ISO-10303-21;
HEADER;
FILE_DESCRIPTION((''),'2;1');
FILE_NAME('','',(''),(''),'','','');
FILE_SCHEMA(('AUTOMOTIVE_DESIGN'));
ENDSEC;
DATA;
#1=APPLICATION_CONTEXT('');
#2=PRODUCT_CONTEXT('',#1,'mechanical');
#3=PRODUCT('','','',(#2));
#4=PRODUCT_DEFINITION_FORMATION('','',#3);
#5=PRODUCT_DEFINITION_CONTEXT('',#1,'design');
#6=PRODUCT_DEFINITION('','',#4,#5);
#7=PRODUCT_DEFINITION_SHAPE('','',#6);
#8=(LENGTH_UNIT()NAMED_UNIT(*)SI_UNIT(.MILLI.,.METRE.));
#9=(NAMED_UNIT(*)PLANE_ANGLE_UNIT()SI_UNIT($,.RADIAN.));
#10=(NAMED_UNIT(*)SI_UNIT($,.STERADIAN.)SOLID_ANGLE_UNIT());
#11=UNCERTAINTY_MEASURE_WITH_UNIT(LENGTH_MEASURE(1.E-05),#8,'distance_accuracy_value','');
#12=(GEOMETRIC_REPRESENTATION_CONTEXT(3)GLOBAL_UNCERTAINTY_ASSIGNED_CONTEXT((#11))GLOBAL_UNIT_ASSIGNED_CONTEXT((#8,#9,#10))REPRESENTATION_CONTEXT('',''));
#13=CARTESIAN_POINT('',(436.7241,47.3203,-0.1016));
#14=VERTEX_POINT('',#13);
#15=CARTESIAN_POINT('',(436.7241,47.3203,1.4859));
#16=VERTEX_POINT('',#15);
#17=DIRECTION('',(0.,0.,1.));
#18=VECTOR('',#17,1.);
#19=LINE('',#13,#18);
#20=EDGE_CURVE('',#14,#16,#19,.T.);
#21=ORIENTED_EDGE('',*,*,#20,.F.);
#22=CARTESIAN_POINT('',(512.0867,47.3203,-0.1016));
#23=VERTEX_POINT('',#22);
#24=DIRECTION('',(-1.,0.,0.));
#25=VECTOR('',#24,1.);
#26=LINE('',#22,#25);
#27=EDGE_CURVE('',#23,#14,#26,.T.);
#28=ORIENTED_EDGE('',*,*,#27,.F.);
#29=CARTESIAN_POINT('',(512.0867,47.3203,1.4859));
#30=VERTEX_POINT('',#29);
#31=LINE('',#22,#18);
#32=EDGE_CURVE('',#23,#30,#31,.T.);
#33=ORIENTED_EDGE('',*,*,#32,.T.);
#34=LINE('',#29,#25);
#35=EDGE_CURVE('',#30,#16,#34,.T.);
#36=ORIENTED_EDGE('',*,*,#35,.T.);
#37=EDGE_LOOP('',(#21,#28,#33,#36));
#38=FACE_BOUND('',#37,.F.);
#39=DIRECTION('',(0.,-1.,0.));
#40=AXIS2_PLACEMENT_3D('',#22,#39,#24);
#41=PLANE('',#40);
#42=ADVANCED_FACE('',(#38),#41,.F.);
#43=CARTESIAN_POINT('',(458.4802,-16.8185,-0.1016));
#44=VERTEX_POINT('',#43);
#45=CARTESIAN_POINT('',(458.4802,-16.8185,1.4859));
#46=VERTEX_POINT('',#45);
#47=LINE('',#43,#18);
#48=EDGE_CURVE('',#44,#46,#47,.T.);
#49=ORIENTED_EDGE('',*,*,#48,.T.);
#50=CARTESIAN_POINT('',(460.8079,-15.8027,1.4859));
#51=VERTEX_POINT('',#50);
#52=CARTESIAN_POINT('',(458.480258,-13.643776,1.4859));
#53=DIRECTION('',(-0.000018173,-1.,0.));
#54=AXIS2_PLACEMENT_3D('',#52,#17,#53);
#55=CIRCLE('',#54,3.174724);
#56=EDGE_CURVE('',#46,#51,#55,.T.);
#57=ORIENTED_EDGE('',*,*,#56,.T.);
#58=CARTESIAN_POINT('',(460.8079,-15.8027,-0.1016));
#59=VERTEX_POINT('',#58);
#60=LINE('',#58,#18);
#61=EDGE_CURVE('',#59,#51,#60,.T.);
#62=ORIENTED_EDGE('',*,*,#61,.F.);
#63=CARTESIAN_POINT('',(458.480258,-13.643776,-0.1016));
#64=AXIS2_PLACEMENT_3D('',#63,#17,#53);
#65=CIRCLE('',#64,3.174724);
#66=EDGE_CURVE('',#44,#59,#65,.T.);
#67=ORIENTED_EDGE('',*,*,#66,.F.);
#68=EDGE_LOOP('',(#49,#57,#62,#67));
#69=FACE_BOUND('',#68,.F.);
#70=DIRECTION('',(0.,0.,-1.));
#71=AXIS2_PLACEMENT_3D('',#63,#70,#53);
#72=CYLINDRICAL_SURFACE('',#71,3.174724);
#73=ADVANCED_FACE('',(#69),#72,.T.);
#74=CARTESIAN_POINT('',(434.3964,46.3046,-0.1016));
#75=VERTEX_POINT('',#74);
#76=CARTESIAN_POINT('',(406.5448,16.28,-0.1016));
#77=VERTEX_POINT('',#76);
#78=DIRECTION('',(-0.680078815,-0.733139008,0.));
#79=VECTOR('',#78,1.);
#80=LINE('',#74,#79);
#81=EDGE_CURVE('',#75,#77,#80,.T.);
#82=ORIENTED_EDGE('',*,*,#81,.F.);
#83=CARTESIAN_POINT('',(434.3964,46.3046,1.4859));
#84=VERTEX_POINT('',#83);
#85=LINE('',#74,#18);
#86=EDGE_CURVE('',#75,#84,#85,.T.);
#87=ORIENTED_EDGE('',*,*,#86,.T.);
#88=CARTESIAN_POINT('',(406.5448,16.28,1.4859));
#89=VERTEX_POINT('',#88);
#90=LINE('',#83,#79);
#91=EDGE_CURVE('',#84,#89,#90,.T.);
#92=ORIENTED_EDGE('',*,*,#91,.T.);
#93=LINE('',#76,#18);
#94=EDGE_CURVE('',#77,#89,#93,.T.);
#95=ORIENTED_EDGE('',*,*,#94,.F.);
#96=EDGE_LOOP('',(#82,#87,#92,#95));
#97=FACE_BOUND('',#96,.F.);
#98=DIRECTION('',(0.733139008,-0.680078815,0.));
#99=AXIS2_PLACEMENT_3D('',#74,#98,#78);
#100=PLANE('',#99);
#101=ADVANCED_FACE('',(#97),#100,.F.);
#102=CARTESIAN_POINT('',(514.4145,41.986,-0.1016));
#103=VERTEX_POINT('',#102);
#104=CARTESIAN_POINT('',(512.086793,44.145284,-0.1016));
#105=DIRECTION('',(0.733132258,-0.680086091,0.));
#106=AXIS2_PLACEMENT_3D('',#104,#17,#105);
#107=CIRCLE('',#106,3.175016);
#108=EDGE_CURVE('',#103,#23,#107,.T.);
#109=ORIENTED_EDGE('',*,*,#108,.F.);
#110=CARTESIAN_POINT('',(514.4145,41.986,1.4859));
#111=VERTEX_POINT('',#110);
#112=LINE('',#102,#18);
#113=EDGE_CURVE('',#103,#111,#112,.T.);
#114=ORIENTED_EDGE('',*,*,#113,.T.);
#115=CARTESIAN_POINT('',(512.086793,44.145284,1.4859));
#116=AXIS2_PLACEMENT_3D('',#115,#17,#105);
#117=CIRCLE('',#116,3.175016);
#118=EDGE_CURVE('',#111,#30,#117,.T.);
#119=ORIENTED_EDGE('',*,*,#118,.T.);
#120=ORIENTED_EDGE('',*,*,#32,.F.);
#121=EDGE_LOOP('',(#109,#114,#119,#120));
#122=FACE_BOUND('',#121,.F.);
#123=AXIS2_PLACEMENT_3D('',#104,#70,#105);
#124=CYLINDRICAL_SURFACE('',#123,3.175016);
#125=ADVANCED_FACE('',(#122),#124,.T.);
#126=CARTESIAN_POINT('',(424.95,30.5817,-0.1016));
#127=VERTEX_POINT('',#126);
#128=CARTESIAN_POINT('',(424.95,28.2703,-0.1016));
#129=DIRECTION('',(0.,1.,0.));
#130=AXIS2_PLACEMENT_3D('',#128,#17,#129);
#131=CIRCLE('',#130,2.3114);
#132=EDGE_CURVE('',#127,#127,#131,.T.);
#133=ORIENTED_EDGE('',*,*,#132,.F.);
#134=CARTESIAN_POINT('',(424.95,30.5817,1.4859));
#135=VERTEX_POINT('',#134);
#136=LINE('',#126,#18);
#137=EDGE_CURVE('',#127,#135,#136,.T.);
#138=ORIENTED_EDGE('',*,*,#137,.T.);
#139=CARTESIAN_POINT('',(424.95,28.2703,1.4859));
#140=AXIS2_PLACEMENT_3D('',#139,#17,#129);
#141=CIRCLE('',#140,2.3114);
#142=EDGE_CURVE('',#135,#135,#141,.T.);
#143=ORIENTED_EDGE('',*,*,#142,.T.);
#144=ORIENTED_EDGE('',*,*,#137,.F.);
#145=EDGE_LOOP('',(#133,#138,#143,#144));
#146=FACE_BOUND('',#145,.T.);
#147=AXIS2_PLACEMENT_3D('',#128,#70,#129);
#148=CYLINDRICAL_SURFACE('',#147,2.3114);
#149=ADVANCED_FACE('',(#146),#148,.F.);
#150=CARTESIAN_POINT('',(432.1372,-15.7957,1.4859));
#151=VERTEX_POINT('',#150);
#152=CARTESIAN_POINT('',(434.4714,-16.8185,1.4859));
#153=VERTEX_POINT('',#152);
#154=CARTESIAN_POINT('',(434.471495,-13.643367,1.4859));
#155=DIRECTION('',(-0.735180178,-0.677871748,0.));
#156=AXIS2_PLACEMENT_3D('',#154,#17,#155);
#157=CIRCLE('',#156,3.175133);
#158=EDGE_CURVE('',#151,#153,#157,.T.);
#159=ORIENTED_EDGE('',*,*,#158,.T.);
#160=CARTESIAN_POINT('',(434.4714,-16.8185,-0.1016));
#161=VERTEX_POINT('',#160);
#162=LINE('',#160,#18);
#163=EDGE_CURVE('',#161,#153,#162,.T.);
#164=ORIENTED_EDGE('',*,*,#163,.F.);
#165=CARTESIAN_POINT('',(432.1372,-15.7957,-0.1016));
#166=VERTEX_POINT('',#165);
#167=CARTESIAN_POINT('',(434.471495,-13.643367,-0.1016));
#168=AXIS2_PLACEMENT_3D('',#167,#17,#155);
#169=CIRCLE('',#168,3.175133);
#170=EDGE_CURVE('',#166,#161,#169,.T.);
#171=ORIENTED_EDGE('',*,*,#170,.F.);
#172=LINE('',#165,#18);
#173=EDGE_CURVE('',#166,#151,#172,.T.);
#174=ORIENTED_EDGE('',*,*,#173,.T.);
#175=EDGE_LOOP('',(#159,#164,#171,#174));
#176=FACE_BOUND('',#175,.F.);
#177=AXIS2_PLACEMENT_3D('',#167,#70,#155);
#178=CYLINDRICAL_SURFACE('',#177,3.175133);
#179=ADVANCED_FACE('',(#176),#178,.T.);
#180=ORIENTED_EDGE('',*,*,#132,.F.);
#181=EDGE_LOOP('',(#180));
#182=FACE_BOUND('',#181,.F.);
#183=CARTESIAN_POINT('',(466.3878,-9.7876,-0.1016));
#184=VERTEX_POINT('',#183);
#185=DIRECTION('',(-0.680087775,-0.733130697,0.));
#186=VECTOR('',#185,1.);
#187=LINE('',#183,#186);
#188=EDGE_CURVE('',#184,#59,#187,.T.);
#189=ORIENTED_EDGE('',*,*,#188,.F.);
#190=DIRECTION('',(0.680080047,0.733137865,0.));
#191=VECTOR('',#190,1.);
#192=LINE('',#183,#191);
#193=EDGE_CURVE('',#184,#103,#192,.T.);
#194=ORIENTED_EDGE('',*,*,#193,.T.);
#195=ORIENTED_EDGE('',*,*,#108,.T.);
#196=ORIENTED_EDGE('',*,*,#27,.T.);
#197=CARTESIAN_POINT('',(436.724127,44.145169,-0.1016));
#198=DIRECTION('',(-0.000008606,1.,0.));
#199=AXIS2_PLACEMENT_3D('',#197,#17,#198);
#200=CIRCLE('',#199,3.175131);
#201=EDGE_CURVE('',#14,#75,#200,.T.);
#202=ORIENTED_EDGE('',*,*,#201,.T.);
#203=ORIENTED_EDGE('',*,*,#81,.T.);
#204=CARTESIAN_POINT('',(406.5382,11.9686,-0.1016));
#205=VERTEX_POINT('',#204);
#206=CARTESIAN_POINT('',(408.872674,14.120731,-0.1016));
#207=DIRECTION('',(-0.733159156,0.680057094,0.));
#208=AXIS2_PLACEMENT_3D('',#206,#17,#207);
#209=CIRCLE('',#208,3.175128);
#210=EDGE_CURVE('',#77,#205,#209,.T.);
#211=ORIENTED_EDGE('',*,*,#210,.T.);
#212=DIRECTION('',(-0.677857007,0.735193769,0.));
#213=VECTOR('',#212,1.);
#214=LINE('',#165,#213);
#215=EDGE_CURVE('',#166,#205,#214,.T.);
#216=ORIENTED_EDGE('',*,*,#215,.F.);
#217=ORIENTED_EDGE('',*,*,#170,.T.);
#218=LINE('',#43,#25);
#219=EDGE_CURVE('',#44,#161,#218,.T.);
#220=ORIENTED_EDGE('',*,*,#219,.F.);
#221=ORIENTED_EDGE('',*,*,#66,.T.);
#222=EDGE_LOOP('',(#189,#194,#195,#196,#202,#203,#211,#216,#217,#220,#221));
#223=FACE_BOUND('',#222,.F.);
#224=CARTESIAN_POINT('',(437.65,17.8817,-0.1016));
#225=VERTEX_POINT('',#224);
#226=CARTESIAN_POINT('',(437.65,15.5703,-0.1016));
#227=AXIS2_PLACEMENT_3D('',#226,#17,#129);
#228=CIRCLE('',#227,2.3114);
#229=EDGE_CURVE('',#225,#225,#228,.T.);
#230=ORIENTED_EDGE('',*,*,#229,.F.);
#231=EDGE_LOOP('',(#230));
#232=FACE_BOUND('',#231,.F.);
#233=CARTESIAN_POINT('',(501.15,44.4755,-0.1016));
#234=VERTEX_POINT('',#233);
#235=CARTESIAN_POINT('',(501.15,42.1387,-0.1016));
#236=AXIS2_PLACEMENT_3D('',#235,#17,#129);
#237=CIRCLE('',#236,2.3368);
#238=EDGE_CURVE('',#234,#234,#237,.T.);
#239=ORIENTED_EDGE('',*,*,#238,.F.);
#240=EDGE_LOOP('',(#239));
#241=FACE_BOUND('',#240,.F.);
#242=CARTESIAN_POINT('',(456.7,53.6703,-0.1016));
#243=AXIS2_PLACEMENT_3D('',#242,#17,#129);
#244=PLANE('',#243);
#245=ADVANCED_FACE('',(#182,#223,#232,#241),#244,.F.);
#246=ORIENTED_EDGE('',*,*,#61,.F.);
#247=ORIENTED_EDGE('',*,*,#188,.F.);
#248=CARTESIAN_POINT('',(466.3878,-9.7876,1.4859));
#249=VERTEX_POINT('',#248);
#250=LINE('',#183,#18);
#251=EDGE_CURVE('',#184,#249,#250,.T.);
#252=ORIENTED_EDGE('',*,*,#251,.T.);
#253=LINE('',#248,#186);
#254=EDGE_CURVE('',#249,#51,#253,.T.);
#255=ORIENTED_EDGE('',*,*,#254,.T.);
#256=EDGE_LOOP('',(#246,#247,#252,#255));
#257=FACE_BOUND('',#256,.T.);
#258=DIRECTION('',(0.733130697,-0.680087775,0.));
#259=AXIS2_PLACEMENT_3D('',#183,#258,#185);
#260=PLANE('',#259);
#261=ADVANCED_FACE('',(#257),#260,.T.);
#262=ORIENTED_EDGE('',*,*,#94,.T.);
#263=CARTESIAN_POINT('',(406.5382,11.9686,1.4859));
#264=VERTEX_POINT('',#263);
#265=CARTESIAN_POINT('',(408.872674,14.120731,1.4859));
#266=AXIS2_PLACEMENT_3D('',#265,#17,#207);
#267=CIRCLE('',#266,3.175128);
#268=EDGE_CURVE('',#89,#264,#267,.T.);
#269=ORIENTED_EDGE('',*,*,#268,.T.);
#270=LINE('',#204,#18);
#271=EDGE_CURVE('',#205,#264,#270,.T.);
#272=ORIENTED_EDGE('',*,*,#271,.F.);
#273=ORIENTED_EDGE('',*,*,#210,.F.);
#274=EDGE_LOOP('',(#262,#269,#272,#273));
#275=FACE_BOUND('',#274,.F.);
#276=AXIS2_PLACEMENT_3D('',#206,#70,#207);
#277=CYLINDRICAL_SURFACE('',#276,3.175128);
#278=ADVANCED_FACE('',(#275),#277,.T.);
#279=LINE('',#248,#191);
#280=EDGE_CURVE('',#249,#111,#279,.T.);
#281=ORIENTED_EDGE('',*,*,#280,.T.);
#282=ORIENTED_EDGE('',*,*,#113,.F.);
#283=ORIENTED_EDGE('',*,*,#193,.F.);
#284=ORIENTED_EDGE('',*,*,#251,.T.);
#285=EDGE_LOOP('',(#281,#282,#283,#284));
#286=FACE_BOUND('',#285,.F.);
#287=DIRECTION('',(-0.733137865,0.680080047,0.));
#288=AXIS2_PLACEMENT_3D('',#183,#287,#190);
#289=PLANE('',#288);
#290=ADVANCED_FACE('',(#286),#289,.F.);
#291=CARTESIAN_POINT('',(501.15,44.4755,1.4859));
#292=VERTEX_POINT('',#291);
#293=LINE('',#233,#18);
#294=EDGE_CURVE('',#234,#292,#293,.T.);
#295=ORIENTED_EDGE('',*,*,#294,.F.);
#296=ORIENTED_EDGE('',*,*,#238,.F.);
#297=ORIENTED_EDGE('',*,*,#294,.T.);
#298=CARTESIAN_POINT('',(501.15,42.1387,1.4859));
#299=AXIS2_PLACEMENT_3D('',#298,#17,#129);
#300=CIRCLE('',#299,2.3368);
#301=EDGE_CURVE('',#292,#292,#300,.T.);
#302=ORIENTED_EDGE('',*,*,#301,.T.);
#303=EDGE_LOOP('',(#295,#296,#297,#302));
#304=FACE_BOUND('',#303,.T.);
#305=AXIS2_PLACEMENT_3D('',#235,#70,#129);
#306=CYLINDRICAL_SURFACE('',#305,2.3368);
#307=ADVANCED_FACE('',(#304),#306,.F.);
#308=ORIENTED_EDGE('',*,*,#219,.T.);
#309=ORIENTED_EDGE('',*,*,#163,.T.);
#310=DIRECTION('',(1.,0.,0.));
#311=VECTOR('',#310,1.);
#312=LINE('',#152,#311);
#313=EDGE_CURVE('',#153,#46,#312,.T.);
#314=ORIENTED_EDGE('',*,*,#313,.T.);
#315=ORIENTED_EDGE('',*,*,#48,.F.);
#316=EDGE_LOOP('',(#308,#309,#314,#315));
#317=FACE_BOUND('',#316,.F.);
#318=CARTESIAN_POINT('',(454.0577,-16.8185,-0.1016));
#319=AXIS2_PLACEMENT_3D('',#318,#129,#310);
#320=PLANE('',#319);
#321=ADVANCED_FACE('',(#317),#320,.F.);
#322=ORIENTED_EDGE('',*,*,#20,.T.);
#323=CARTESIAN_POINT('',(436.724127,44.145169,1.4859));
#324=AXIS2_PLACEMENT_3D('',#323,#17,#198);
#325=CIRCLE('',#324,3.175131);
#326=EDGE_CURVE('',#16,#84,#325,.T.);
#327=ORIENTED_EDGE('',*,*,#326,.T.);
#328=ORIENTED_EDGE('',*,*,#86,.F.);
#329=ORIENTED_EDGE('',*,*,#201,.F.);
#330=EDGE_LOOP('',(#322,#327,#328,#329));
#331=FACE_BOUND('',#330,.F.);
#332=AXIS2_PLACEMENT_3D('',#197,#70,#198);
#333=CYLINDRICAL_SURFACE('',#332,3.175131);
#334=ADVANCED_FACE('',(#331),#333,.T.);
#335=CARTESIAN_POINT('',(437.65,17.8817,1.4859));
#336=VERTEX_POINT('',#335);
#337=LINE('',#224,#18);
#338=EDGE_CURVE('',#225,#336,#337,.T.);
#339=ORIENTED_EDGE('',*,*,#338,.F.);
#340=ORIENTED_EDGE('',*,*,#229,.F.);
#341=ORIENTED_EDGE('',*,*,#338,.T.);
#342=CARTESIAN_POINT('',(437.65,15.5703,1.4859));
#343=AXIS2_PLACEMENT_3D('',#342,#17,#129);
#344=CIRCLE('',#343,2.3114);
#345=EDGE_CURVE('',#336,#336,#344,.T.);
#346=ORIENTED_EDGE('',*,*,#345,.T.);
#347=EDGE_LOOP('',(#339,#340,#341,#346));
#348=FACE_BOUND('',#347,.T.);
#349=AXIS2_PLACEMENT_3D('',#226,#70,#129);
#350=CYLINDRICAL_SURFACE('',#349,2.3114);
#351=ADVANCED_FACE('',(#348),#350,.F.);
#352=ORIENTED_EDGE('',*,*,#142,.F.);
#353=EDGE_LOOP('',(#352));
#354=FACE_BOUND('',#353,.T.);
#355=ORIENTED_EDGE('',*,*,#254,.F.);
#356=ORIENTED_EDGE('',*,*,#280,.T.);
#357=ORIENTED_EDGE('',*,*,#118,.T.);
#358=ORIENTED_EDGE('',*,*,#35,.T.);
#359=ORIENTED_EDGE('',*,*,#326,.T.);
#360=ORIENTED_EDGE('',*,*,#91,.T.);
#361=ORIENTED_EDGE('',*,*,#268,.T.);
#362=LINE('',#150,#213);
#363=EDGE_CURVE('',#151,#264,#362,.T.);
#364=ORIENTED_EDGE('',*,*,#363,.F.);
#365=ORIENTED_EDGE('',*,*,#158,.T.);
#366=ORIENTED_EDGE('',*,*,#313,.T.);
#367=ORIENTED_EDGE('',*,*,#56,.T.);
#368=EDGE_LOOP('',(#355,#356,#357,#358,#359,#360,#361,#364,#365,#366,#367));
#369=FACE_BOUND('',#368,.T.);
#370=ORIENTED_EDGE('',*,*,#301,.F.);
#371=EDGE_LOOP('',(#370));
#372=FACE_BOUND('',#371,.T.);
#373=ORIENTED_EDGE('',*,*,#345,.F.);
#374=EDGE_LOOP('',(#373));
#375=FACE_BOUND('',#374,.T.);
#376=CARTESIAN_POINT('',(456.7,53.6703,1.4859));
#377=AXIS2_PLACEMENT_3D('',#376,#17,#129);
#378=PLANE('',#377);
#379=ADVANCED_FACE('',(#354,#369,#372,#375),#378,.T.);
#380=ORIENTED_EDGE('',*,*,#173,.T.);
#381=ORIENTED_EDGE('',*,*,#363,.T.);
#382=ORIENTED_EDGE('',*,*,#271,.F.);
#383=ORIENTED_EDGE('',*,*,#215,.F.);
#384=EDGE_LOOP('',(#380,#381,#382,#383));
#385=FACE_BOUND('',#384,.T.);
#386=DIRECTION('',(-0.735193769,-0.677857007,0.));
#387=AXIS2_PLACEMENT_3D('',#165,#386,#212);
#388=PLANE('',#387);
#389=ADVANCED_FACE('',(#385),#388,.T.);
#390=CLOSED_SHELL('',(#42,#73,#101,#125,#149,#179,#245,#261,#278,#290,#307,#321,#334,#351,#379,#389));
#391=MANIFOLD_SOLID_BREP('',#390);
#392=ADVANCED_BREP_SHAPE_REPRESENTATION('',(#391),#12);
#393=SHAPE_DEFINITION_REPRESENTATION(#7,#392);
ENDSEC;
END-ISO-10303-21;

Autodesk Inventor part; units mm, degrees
ref_plane "YZ Plane" through (0, 0, 0) normal (1, 0, 0) x (0, 1, 0)
ref_plane "XZ Plane" through (0, 0, 0) normal (0, 1, 0) x (-1, 0, 0)
ref_plane "Work Plane1" through (456.7, 53.6703, -0.1016) normal (0, 0, 1) x (0, 1, 0)
sketch "Sketch1" plane through (456.7, 53.6703, -0.1016) normal (0, 0, 1) x (0, 1, 0)
  circle A0 centre (-38.1, 19.05) radius 2.3114 construction
  circle A1 centre (-38.1, 31.75) radius 2.3114 construction
  circle A2 centre (-38.1, 31.75) radius 47.625 construction
  line L0 (-85.725, 31.75) -> (-85.725, -73.025) construction
  line L1 (-85.725, -73.025) -> (-69.85, -73.025) construction
  circle A3 centre (-39.624, -73.025) radius 30.226 construction
  line L2 (-63.4579, -9.6878) -> (-11.6843, -57.7145)
  line L3 (-6.35, -55.3867) -> (-6.35, 19.9759)
  line L4 (-70.4888, 2.6423) -> (-70.4888, 9.8614)
  arc A4 (-11.6843, -57.7145) -> (-6.35, -55.3867) centre (-9.525, -55.3867) ccw
  line L5 (-63.4579, -9.6878) -> (-69.473, -4.1079)
  line L6 (-70.4888, 2.6423) -> (-70.4888, -1.7802)
  arc A5 (-70.4888, -1.7802) -> (-69.473, -4.1079) centre (-67.3138, -1.7802) ccw
  circle A6 centre (-25.4, 31.75) radius 2.3114 projected
  line L7 (-70.4888, -1.7802) -> (-70.4888, 22.2286)
  line L8 (-7.3657, 22.3036) -> (-37.3903, 50.1552)
  arc A7 (-6.35, 19.9759) -> (-7.3657, 22.3036) centre (-9.525, 19.9759) ccw
  line L9 (-69.466, 24.5628) -> (-41.7017, 50.1618)
  arc A8 (-37.3903, 50.1552) -> (-41.7017, 50.1618) centre (-39.5495, 47.8275) ccw
  arc A9 (-69.466, 24.5628) -> (-70.4888, 22.2286) centre (-67.3138, 22.2286) ccw
  circle A10 centre (-38.1, 19.05) radius 2.3114 projected
  circle A11 centre (-25.4, 19.05) radius 2.3114 projected
  circle A12 centre (-11.5316, -44.45) radius 2.3368
  circle A13 centre (-11.5316, -44.45) radius 2.1844 construction
  point P0 (-53.6703, 456.7)
  point P1 (-70.4888, -3.1657)
  point P2 (6.35, -48.768)
  point P3 (-6.35, 21.3614)
  point P4 (-19.05, 12.7)
  point P5 (-70.4888, 23.6198)
  dimension "d0" = 95.25
  dimension "d1" = 104.775
  dimension "d2" = 15.875
  dimension "d3" = 60.452
  dimension "d4" = 0
  dimension "d5" = 30.226
  dimension "d8" = 3.175
  dimension "d16" = 3.175
  dimension "d19" = 12.7
  dimension "d20" = 25.4
  dimension "d22" = 3.175
  dimension "d23" = 4.6736
  dimension "d26" = 63.5
  dimension "d29" = 0
extrude "Extrusion2" add sketch "Sketch1" along normal blind 1.5875 contours L5 A5 L6 L4 L7 A9 L9 A8 L8 A7 L3 A4 L2 | A11
properties part number "meow" material "Acetal Resin, White"
